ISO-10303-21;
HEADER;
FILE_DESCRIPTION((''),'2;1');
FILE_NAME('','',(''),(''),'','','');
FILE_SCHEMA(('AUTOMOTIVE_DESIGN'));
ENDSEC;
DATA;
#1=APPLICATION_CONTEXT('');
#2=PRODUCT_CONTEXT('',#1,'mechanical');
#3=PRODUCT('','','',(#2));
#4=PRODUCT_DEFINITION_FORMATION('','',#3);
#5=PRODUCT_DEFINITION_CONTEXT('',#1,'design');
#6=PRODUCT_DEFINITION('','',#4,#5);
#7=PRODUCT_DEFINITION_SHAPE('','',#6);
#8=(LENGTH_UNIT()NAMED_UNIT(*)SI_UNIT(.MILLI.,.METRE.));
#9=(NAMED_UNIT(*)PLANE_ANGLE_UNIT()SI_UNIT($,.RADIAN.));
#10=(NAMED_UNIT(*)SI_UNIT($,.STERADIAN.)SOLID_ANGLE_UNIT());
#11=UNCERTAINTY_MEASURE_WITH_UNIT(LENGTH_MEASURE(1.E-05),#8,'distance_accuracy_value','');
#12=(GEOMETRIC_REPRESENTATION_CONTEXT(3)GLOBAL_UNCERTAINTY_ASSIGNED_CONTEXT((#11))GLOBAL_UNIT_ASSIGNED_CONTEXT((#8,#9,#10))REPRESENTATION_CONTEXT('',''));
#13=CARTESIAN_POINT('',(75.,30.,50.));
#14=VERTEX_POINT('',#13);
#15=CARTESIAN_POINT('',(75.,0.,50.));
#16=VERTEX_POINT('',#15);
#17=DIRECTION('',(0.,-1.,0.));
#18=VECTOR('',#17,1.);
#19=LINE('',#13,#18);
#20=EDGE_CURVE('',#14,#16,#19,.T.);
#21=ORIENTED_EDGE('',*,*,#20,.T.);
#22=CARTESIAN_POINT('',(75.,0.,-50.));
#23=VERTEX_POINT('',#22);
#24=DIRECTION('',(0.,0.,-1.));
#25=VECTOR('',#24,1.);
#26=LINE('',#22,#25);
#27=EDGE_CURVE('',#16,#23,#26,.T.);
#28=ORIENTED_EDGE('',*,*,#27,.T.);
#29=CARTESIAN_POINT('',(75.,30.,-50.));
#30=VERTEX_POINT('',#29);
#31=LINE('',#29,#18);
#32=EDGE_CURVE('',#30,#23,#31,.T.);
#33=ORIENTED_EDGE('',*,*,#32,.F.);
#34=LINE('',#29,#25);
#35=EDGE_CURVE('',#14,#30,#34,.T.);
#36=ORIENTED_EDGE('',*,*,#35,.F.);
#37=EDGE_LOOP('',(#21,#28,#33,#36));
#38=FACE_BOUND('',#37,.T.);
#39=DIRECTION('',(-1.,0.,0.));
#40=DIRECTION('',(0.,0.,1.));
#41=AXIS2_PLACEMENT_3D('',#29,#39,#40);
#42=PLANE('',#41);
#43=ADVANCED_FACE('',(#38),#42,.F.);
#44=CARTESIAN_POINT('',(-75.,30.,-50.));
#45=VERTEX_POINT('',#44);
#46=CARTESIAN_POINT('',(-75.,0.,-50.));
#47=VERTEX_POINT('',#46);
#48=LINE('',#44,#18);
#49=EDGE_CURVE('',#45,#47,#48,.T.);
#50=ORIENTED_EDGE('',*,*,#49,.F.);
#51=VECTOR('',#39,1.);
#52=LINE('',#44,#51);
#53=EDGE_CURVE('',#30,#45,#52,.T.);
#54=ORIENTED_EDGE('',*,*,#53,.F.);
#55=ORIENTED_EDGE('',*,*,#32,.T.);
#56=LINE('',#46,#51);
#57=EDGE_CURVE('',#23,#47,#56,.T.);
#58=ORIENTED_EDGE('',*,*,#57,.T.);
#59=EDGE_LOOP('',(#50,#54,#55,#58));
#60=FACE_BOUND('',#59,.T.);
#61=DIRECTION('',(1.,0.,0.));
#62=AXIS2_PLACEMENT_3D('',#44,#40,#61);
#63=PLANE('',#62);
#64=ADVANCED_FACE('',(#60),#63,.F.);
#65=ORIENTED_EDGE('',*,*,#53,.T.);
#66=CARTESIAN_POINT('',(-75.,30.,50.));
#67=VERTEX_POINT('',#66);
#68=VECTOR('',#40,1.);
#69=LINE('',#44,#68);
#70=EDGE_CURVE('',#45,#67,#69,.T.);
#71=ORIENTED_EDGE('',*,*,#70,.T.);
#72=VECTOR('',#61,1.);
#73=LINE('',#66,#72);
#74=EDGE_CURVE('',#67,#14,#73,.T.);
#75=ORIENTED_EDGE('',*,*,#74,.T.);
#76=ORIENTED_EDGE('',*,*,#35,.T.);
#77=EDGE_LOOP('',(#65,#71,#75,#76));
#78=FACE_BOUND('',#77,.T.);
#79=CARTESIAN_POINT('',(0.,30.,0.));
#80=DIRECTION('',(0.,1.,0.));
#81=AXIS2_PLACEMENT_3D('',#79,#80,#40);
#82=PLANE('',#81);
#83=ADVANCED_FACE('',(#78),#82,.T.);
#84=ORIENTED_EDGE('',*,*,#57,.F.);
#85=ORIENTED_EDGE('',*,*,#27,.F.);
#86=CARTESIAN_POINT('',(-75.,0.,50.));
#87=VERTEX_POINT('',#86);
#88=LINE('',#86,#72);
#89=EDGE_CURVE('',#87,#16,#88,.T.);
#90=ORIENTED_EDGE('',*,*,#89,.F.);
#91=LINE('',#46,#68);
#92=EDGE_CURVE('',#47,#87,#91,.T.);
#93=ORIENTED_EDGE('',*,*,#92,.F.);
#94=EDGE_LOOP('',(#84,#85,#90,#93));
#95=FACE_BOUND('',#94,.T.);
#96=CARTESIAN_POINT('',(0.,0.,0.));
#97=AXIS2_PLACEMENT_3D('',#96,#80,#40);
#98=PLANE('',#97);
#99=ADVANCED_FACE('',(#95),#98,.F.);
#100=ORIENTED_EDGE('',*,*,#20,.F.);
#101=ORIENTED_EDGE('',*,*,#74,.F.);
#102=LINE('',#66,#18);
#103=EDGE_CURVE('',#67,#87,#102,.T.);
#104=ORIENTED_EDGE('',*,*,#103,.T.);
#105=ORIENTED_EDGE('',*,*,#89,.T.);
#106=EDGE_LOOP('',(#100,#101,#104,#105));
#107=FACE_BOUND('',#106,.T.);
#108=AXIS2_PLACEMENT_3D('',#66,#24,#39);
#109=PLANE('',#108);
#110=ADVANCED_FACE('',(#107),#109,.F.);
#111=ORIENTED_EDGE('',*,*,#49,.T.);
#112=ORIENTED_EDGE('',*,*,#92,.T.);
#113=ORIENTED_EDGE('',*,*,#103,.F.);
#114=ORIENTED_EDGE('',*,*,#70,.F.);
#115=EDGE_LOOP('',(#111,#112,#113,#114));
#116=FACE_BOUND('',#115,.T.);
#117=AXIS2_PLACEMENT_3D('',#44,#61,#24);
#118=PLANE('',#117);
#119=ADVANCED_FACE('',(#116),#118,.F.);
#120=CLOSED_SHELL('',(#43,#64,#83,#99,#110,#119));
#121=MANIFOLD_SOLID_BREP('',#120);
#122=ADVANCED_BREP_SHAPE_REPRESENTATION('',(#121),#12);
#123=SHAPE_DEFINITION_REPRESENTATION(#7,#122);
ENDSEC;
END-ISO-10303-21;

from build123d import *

# Parameters (mm, degrees)
SKETCH1_W      = 150
SKETCH1_H      = 100
EXTRUDE1_DEPTH = 30


with BuildPart() as part:
    # Sketch1 → Extrude1 (new body)
    with BuildSketch(Plane(origin=(0, 0, 0), x_dir=(1, 0, 0), z_dir=(0, 1, 0))):
        Rectangle(SKETCH1_W, SKETCH1_H)
    extrude(amount=EXTRUDE1_DEPTH)


solid = part.part
